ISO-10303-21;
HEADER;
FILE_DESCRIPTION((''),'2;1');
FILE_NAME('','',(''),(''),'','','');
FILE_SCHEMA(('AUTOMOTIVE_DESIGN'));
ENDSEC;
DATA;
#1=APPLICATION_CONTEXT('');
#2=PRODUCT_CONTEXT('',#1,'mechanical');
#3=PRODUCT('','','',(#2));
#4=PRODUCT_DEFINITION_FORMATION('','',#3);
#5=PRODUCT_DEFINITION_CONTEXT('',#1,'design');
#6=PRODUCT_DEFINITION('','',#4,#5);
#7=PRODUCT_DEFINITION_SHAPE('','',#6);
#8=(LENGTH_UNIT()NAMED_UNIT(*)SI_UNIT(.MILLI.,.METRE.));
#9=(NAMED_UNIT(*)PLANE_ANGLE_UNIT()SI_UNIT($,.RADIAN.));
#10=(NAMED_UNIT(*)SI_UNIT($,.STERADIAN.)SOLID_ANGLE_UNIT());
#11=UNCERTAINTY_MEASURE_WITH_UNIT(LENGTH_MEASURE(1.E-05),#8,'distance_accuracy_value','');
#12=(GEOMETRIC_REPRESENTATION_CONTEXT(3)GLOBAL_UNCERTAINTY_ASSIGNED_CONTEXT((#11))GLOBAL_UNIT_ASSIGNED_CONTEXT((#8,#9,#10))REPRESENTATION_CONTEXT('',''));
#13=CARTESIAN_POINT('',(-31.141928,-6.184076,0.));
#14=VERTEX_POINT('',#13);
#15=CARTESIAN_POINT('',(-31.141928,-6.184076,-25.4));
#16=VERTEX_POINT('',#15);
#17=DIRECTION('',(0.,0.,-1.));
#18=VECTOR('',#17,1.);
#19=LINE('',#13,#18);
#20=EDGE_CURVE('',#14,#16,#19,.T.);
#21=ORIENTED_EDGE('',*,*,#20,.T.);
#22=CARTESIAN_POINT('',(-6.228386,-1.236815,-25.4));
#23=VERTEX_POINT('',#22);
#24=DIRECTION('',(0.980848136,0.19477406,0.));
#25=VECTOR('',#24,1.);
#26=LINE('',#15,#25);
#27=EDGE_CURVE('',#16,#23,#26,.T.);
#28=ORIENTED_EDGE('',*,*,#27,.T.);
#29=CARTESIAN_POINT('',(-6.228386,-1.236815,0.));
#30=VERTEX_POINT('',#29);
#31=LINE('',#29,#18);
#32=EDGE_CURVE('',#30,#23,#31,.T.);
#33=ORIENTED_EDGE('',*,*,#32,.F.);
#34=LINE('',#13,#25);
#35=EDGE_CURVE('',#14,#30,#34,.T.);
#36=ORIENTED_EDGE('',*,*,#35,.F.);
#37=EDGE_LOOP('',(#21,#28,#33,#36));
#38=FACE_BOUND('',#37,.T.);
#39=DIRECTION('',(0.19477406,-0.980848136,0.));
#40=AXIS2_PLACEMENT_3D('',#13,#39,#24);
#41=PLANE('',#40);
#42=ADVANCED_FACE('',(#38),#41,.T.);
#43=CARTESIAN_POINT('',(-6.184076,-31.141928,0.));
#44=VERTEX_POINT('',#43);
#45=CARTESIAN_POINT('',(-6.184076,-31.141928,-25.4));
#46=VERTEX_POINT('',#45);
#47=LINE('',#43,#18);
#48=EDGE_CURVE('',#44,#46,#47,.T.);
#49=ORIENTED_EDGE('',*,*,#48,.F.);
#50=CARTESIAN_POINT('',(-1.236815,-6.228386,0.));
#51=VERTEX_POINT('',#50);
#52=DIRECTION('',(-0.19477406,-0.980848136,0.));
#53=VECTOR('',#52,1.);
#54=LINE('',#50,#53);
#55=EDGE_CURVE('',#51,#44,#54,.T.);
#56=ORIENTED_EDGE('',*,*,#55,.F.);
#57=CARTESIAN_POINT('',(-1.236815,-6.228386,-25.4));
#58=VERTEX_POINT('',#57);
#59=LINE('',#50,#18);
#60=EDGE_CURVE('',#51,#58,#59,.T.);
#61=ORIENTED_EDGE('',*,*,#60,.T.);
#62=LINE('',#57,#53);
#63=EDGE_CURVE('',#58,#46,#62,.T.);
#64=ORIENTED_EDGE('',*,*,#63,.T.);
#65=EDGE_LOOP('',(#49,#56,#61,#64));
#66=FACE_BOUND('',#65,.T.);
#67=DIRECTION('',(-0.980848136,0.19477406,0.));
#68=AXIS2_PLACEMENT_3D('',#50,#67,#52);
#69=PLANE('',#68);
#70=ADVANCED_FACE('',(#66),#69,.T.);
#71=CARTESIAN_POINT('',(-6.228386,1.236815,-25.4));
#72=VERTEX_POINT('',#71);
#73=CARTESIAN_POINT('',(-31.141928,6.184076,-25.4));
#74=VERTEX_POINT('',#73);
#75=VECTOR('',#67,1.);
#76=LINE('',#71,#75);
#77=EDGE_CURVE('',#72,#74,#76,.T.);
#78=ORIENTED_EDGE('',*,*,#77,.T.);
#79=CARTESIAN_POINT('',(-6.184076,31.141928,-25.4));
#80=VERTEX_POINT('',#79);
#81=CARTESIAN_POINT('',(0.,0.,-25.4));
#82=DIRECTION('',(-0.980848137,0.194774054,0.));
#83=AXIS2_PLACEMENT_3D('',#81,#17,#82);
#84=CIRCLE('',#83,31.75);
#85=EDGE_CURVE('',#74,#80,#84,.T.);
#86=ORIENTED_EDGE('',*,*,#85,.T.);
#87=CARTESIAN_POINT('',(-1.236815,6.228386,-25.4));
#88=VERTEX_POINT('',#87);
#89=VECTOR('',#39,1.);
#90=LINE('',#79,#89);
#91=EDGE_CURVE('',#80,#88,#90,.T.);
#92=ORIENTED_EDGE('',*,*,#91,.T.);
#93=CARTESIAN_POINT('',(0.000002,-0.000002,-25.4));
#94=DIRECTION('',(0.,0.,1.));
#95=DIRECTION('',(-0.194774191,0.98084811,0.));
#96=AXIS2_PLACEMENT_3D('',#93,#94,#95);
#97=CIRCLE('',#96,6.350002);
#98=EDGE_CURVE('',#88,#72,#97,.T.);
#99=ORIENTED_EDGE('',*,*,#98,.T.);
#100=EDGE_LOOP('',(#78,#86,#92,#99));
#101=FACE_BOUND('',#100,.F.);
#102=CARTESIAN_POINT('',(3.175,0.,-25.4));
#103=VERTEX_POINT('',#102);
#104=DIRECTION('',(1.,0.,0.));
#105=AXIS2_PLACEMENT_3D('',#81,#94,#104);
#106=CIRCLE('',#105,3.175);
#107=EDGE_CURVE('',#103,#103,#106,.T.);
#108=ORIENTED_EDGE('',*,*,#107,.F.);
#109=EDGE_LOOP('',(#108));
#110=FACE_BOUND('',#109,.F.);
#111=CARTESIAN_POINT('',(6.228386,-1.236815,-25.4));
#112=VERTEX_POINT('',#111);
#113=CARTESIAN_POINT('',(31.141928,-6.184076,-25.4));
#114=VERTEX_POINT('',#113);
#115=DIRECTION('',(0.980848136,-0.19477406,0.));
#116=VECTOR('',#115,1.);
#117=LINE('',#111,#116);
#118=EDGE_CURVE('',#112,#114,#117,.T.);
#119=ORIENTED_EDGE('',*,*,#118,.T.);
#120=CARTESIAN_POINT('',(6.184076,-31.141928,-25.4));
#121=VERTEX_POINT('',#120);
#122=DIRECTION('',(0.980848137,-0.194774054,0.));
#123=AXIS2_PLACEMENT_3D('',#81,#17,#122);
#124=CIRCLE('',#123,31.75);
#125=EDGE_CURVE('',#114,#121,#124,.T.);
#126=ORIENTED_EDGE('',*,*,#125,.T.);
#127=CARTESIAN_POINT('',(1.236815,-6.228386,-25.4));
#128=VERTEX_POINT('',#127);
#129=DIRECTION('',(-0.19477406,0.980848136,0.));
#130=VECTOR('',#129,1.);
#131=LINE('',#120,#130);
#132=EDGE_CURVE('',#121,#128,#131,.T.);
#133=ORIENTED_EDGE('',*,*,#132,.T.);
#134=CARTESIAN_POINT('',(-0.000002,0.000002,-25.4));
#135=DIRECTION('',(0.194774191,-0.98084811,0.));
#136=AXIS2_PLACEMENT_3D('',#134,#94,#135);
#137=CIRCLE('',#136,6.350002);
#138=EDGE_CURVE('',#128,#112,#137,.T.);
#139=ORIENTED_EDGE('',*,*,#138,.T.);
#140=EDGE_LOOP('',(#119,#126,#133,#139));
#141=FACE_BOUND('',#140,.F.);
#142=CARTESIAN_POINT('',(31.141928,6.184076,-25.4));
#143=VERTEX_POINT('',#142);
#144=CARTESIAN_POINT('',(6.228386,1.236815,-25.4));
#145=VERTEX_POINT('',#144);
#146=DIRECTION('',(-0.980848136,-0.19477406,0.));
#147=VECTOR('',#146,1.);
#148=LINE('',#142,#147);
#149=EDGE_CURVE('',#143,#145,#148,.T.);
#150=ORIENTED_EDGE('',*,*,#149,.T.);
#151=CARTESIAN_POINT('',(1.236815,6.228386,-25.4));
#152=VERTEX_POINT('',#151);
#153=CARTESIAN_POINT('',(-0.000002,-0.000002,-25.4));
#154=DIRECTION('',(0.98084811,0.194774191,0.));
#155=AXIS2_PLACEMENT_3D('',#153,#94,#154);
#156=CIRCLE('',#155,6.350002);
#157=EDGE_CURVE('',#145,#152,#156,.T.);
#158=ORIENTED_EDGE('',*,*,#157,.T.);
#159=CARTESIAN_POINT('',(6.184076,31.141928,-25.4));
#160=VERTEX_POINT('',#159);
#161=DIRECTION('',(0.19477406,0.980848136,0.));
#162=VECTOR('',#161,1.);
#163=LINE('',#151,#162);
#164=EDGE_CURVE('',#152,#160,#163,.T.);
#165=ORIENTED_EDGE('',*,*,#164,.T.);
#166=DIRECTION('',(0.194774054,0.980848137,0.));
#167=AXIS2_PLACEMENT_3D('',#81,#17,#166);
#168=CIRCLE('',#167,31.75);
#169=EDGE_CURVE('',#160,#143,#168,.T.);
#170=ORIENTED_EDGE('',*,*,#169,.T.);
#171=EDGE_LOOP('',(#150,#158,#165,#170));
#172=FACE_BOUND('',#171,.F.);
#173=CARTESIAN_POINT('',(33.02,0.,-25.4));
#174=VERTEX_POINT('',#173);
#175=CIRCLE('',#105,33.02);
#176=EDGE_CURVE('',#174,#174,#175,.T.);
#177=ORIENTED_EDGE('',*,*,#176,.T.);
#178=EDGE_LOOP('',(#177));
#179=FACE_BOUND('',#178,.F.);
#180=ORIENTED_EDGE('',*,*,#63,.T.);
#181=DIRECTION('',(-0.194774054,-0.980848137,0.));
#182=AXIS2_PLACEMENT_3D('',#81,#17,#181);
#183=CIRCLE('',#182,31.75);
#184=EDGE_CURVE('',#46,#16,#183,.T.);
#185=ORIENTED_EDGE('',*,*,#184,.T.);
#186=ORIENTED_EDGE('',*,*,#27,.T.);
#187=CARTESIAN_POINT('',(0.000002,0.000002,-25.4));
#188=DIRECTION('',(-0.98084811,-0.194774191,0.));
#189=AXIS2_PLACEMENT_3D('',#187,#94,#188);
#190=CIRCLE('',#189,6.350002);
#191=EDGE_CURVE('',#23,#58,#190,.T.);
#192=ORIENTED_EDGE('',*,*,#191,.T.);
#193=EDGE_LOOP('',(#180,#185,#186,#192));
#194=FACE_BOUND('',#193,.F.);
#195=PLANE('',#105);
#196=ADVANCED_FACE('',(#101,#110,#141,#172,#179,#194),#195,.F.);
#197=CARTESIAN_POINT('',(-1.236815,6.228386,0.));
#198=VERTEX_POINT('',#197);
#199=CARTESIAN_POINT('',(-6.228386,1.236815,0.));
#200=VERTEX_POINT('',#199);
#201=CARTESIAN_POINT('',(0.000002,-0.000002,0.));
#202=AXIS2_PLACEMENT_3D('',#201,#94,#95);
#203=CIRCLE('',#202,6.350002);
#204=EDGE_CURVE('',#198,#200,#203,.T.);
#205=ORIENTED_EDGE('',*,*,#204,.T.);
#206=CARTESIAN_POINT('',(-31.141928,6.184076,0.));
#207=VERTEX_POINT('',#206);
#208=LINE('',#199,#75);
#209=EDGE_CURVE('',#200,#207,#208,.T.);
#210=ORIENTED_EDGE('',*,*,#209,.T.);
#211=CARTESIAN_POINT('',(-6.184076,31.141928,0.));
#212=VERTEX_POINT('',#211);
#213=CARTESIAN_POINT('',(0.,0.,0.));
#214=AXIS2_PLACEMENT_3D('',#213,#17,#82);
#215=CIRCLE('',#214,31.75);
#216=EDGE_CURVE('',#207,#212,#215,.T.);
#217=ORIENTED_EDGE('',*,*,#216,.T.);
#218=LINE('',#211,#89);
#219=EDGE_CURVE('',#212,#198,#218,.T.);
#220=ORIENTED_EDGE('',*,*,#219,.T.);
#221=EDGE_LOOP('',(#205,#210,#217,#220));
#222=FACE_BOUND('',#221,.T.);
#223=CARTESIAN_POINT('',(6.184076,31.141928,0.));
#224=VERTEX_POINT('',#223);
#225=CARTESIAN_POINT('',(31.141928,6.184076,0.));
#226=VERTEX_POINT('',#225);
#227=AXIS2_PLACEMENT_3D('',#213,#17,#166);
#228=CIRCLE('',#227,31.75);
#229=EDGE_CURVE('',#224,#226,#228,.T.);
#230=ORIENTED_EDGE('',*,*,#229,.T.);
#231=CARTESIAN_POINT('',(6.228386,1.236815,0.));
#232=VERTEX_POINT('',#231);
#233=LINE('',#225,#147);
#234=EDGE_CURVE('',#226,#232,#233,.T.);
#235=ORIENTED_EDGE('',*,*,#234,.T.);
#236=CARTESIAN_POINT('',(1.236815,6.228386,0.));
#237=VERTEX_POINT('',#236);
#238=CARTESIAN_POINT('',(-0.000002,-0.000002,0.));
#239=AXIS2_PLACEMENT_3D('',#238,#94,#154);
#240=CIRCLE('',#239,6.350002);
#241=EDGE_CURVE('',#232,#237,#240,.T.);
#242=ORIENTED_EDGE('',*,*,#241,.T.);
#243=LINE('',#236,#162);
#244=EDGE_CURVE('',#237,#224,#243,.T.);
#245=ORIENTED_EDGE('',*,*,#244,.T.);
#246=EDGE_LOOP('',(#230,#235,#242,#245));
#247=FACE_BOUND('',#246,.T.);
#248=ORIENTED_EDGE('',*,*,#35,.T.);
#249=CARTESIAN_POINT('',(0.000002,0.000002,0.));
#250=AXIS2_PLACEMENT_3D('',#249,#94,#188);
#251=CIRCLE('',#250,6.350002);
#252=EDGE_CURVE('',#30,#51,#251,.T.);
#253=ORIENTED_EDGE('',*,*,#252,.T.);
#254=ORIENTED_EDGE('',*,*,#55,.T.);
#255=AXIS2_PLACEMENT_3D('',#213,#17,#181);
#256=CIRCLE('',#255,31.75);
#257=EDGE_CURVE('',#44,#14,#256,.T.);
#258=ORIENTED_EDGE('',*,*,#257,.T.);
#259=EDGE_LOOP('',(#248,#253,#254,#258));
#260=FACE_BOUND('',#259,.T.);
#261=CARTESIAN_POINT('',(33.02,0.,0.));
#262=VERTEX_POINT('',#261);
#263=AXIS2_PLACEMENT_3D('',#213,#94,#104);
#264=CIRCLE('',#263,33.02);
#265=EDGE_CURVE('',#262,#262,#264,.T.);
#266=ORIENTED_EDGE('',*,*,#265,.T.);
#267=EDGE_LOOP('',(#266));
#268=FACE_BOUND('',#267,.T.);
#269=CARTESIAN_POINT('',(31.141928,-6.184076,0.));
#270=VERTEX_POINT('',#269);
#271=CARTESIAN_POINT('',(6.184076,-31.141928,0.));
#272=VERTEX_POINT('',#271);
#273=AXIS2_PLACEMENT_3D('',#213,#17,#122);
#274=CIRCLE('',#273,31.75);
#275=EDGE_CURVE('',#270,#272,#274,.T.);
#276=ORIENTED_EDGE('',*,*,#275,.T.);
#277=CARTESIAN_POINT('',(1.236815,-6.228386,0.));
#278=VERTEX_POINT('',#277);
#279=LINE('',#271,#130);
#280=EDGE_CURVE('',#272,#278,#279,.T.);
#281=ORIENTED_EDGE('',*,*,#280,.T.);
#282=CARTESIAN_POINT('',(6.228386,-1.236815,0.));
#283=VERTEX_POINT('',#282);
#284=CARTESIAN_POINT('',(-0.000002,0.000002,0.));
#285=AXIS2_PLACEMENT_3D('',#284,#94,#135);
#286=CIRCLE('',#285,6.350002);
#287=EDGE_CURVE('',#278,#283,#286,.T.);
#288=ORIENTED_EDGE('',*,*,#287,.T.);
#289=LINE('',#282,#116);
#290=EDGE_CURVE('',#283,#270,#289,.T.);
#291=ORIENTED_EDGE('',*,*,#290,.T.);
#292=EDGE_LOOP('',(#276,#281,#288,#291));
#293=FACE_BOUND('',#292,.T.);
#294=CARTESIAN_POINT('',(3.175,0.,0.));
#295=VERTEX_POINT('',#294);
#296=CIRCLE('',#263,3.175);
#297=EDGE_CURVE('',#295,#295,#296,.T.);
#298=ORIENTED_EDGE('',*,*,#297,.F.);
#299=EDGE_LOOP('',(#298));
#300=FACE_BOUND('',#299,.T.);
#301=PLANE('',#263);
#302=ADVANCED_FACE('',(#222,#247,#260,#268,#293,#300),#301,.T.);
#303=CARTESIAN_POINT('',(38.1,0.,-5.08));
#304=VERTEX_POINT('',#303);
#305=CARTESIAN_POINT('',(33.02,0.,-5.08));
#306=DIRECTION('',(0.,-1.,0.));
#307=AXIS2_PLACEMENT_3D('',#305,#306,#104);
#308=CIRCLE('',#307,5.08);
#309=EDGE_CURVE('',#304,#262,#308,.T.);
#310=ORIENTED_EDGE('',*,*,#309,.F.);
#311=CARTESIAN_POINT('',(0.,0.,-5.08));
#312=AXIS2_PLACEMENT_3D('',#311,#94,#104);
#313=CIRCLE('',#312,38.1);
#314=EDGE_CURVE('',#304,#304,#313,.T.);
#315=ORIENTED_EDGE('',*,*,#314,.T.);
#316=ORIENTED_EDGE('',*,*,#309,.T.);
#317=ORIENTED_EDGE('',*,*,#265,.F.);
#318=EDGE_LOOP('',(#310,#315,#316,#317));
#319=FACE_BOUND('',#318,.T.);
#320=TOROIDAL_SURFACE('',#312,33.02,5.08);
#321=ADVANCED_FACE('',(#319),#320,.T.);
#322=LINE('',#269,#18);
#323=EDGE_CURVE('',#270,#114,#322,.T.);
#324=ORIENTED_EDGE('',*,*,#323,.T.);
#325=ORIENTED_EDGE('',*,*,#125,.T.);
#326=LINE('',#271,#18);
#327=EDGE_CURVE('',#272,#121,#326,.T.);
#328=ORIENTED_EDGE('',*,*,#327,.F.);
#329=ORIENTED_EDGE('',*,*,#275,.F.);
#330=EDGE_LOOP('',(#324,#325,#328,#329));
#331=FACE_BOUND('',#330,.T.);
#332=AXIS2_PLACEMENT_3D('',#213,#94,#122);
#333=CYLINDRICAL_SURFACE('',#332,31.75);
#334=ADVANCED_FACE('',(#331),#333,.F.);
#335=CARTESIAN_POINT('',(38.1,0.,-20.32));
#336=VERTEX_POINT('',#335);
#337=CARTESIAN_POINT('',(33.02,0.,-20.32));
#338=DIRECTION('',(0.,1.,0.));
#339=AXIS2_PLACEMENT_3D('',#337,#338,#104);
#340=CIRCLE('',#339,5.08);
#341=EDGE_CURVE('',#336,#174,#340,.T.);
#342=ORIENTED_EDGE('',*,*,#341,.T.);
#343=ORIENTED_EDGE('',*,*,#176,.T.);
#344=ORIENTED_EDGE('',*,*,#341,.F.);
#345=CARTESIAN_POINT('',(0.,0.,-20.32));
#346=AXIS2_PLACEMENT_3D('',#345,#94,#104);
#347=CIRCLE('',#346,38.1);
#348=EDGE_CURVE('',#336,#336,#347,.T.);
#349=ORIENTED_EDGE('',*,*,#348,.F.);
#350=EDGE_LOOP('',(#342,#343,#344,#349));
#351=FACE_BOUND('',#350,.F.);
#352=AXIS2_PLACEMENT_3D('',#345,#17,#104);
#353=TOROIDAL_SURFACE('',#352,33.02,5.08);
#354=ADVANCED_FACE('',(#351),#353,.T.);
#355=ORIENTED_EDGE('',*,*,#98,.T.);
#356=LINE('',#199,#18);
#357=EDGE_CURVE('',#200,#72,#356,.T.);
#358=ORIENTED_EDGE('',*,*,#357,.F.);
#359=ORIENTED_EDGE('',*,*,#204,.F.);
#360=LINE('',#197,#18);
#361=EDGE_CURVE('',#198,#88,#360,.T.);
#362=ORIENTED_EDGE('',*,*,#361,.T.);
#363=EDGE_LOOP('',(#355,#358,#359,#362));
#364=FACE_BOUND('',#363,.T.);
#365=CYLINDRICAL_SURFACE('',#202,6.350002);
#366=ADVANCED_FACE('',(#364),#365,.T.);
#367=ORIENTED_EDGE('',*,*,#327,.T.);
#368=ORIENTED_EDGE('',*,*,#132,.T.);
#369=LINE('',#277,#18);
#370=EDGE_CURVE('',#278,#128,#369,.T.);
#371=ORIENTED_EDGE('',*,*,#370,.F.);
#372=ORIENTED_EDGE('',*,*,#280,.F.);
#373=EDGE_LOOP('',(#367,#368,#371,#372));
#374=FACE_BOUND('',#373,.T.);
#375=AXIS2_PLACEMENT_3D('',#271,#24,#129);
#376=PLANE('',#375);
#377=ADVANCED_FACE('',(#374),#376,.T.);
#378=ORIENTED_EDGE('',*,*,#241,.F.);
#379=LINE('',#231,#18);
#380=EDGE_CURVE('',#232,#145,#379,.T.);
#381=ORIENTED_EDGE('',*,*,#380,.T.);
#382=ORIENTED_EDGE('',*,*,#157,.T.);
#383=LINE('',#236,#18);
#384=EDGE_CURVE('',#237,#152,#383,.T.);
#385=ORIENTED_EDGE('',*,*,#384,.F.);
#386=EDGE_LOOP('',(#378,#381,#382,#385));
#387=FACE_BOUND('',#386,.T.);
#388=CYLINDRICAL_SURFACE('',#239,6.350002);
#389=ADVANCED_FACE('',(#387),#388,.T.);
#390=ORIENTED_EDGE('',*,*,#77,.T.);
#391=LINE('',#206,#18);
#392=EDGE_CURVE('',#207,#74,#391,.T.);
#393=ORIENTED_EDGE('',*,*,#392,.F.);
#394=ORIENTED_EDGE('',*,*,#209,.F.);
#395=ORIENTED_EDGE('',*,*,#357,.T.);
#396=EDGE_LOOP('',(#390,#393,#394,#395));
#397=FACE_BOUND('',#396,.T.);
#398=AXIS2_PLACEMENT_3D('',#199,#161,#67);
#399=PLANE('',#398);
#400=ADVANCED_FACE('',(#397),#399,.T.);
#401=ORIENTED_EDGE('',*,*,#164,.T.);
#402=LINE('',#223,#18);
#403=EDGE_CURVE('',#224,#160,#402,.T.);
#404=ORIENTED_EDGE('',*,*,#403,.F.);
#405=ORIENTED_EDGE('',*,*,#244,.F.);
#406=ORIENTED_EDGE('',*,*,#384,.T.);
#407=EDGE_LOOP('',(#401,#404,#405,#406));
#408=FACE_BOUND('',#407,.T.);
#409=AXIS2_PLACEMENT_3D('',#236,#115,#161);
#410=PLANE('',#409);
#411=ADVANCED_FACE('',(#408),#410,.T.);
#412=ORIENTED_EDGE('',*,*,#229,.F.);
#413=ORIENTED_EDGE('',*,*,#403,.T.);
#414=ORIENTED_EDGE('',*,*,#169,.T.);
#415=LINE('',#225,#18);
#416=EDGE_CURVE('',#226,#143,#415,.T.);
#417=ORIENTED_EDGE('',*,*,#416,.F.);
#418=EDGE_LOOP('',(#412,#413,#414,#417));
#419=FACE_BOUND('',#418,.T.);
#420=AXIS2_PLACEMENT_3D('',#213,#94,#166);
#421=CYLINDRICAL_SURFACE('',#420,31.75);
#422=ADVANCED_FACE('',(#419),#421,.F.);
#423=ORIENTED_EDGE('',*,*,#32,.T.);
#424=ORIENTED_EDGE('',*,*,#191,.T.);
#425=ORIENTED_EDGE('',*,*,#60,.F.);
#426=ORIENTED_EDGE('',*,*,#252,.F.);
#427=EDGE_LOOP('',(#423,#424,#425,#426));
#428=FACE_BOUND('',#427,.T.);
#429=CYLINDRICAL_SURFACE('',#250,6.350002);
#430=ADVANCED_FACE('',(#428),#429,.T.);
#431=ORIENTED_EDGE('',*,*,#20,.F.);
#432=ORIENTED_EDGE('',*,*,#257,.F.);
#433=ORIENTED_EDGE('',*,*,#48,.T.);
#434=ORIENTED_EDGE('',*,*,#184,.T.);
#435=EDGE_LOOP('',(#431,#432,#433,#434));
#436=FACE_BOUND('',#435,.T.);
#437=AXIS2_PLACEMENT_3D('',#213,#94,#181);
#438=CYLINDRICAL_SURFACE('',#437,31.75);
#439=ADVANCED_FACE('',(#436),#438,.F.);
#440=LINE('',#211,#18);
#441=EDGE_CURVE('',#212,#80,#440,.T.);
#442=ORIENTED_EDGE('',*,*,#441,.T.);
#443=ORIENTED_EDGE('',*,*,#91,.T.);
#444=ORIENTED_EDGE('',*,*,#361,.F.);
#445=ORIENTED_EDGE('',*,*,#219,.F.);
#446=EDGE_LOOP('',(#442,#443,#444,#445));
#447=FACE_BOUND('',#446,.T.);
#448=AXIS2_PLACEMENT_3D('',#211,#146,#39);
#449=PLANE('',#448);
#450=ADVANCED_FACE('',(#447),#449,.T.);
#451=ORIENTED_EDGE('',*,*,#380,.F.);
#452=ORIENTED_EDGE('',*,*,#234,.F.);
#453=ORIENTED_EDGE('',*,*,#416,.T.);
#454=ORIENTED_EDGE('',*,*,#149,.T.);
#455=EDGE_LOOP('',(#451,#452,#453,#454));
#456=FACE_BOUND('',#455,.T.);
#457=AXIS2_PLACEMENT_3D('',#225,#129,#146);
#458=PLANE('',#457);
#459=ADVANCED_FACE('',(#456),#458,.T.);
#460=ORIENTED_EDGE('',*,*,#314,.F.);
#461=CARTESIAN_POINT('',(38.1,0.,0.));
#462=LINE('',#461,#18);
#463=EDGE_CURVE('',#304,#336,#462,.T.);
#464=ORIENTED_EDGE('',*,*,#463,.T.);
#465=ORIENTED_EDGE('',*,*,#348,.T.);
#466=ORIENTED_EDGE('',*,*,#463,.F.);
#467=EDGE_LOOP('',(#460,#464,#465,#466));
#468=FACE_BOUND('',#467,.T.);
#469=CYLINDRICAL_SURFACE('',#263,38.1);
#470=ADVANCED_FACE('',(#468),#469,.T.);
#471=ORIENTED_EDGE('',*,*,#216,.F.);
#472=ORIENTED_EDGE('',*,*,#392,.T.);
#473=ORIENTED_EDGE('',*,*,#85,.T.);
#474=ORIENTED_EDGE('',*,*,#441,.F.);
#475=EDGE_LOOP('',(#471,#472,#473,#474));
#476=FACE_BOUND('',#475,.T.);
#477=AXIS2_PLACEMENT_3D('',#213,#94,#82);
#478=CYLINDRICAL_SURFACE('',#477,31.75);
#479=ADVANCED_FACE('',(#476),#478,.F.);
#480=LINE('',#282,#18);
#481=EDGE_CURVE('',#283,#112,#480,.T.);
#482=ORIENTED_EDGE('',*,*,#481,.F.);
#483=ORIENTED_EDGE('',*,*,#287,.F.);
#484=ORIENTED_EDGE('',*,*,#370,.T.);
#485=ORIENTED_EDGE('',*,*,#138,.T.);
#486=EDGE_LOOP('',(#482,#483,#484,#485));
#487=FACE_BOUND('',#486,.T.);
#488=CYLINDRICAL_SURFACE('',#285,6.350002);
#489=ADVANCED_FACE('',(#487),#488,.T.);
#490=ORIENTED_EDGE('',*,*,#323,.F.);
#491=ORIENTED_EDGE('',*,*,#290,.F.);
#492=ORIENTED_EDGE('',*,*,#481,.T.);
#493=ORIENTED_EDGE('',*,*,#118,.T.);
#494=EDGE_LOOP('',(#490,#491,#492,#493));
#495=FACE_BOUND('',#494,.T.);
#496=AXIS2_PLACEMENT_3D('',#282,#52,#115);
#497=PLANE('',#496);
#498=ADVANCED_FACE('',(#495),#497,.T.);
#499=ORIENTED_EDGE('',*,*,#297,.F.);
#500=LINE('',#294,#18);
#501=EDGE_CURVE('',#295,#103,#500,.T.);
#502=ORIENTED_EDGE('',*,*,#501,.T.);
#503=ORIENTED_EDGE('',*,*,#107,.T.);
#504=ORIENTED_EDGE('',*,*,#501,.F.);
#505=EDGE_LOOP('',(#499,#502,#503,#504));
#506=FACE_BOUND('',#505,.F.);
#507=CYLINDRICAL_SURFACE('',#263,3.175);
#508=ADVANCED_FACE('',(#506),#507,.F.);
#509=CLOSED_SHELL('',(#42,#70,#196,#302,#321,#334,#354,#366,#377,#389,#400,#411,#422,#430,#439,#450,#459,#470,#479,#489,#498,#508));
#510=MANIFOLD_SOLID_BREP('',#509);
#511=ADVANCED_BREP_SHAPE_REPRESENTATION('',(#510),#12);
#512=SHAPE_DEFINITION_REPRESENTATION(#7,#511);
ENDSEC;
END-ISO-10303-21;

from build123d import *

# Parameters (mm, degrees)
F0_R     = 38.1
F0_R_2   = 3.175
F1_DEPTH = 25.4
F2_R     = 5.08


with BuildPart() as f1:
    # F0 (on Top) → F1 (new body)
    with BuildSketch(Plane.XY):
        Circle(F0_R)
        with BuildLine():
            ThreePointArc((-6.184076, -31.141928), (-22.45064, -22.45064), (-31.141928, -6.184076))
            Line((-31.141928, -6.184076), (-6.228386, -1.236815))
            ThreePointArc((-6.228386, -1.236815), (-4.490128, -4.490128), (-1.236815, -6.228386))
            Line((-1.236815, -6.228386), (-6.184076, -31.141928))
        make_face(mode=Mode.SUBTRACT)
        with BuildLine():
            ThreePointArc((31.141928, -6.184076), (22.45064, -22.45064), (6.184076, -31.141928))
            Line((6.184076, -31.141928), (1.236815, -6.228386))
            ThreePointArc((1.236815, -6.228386), (4.490128, -4.490128), (6.228386, -1.236815))
            Line((6.228386, -1.236815), (31.141928, -6.184076))
        make_face(mode=Mode.SUBTRACT)
        with BuildLine():
            ThreePointArc((-31.141928, 6.184076), (-22.45064, 22.45064), (-6.184076, 31.141928))
            Line((-6.184076, 31.141928), (-1.236815, 6.228386))
            ThreePointArc((-1.236815, 6.228386), (-4.490128, 4.490128), (-6.228386, 1.236815))
            Line((-6.228386, 1.236815), (-31.141928, 6.184076))
        make_face(mode=Mode.SUBTRACT)
        Circle(F0_R_2, mode=Mode.SUBTRACT)
        with BuildLine():
            ThreePointArc((6.184076, 31.141928), (22.45064, 22.45064), (31.141928, 6.184076))
            Line((31.141928, 6.184076), (6.228386, 1.236815))
            ThreePointArc((6.228386, 1.236815), (4.490128, 4.490128), (1.236815, 6.228386))
            Line((1.236815, 6.228386), (6.184076, 31.141928))
        make_face(mode=Mode.SUBTRACT)
    extrude(amount=-F1_DEPTH)

    # F2
    f2_edges = [f1.edges().sort_by_distance(p)[0] for p in [
        (38.1, 0, -12.7),
        (-38.1, 0, 0),
        (-38.1, 0, -25.4),
    ]]
    fillet(f2_edges, radius=F2_R)


solid = f1.part
